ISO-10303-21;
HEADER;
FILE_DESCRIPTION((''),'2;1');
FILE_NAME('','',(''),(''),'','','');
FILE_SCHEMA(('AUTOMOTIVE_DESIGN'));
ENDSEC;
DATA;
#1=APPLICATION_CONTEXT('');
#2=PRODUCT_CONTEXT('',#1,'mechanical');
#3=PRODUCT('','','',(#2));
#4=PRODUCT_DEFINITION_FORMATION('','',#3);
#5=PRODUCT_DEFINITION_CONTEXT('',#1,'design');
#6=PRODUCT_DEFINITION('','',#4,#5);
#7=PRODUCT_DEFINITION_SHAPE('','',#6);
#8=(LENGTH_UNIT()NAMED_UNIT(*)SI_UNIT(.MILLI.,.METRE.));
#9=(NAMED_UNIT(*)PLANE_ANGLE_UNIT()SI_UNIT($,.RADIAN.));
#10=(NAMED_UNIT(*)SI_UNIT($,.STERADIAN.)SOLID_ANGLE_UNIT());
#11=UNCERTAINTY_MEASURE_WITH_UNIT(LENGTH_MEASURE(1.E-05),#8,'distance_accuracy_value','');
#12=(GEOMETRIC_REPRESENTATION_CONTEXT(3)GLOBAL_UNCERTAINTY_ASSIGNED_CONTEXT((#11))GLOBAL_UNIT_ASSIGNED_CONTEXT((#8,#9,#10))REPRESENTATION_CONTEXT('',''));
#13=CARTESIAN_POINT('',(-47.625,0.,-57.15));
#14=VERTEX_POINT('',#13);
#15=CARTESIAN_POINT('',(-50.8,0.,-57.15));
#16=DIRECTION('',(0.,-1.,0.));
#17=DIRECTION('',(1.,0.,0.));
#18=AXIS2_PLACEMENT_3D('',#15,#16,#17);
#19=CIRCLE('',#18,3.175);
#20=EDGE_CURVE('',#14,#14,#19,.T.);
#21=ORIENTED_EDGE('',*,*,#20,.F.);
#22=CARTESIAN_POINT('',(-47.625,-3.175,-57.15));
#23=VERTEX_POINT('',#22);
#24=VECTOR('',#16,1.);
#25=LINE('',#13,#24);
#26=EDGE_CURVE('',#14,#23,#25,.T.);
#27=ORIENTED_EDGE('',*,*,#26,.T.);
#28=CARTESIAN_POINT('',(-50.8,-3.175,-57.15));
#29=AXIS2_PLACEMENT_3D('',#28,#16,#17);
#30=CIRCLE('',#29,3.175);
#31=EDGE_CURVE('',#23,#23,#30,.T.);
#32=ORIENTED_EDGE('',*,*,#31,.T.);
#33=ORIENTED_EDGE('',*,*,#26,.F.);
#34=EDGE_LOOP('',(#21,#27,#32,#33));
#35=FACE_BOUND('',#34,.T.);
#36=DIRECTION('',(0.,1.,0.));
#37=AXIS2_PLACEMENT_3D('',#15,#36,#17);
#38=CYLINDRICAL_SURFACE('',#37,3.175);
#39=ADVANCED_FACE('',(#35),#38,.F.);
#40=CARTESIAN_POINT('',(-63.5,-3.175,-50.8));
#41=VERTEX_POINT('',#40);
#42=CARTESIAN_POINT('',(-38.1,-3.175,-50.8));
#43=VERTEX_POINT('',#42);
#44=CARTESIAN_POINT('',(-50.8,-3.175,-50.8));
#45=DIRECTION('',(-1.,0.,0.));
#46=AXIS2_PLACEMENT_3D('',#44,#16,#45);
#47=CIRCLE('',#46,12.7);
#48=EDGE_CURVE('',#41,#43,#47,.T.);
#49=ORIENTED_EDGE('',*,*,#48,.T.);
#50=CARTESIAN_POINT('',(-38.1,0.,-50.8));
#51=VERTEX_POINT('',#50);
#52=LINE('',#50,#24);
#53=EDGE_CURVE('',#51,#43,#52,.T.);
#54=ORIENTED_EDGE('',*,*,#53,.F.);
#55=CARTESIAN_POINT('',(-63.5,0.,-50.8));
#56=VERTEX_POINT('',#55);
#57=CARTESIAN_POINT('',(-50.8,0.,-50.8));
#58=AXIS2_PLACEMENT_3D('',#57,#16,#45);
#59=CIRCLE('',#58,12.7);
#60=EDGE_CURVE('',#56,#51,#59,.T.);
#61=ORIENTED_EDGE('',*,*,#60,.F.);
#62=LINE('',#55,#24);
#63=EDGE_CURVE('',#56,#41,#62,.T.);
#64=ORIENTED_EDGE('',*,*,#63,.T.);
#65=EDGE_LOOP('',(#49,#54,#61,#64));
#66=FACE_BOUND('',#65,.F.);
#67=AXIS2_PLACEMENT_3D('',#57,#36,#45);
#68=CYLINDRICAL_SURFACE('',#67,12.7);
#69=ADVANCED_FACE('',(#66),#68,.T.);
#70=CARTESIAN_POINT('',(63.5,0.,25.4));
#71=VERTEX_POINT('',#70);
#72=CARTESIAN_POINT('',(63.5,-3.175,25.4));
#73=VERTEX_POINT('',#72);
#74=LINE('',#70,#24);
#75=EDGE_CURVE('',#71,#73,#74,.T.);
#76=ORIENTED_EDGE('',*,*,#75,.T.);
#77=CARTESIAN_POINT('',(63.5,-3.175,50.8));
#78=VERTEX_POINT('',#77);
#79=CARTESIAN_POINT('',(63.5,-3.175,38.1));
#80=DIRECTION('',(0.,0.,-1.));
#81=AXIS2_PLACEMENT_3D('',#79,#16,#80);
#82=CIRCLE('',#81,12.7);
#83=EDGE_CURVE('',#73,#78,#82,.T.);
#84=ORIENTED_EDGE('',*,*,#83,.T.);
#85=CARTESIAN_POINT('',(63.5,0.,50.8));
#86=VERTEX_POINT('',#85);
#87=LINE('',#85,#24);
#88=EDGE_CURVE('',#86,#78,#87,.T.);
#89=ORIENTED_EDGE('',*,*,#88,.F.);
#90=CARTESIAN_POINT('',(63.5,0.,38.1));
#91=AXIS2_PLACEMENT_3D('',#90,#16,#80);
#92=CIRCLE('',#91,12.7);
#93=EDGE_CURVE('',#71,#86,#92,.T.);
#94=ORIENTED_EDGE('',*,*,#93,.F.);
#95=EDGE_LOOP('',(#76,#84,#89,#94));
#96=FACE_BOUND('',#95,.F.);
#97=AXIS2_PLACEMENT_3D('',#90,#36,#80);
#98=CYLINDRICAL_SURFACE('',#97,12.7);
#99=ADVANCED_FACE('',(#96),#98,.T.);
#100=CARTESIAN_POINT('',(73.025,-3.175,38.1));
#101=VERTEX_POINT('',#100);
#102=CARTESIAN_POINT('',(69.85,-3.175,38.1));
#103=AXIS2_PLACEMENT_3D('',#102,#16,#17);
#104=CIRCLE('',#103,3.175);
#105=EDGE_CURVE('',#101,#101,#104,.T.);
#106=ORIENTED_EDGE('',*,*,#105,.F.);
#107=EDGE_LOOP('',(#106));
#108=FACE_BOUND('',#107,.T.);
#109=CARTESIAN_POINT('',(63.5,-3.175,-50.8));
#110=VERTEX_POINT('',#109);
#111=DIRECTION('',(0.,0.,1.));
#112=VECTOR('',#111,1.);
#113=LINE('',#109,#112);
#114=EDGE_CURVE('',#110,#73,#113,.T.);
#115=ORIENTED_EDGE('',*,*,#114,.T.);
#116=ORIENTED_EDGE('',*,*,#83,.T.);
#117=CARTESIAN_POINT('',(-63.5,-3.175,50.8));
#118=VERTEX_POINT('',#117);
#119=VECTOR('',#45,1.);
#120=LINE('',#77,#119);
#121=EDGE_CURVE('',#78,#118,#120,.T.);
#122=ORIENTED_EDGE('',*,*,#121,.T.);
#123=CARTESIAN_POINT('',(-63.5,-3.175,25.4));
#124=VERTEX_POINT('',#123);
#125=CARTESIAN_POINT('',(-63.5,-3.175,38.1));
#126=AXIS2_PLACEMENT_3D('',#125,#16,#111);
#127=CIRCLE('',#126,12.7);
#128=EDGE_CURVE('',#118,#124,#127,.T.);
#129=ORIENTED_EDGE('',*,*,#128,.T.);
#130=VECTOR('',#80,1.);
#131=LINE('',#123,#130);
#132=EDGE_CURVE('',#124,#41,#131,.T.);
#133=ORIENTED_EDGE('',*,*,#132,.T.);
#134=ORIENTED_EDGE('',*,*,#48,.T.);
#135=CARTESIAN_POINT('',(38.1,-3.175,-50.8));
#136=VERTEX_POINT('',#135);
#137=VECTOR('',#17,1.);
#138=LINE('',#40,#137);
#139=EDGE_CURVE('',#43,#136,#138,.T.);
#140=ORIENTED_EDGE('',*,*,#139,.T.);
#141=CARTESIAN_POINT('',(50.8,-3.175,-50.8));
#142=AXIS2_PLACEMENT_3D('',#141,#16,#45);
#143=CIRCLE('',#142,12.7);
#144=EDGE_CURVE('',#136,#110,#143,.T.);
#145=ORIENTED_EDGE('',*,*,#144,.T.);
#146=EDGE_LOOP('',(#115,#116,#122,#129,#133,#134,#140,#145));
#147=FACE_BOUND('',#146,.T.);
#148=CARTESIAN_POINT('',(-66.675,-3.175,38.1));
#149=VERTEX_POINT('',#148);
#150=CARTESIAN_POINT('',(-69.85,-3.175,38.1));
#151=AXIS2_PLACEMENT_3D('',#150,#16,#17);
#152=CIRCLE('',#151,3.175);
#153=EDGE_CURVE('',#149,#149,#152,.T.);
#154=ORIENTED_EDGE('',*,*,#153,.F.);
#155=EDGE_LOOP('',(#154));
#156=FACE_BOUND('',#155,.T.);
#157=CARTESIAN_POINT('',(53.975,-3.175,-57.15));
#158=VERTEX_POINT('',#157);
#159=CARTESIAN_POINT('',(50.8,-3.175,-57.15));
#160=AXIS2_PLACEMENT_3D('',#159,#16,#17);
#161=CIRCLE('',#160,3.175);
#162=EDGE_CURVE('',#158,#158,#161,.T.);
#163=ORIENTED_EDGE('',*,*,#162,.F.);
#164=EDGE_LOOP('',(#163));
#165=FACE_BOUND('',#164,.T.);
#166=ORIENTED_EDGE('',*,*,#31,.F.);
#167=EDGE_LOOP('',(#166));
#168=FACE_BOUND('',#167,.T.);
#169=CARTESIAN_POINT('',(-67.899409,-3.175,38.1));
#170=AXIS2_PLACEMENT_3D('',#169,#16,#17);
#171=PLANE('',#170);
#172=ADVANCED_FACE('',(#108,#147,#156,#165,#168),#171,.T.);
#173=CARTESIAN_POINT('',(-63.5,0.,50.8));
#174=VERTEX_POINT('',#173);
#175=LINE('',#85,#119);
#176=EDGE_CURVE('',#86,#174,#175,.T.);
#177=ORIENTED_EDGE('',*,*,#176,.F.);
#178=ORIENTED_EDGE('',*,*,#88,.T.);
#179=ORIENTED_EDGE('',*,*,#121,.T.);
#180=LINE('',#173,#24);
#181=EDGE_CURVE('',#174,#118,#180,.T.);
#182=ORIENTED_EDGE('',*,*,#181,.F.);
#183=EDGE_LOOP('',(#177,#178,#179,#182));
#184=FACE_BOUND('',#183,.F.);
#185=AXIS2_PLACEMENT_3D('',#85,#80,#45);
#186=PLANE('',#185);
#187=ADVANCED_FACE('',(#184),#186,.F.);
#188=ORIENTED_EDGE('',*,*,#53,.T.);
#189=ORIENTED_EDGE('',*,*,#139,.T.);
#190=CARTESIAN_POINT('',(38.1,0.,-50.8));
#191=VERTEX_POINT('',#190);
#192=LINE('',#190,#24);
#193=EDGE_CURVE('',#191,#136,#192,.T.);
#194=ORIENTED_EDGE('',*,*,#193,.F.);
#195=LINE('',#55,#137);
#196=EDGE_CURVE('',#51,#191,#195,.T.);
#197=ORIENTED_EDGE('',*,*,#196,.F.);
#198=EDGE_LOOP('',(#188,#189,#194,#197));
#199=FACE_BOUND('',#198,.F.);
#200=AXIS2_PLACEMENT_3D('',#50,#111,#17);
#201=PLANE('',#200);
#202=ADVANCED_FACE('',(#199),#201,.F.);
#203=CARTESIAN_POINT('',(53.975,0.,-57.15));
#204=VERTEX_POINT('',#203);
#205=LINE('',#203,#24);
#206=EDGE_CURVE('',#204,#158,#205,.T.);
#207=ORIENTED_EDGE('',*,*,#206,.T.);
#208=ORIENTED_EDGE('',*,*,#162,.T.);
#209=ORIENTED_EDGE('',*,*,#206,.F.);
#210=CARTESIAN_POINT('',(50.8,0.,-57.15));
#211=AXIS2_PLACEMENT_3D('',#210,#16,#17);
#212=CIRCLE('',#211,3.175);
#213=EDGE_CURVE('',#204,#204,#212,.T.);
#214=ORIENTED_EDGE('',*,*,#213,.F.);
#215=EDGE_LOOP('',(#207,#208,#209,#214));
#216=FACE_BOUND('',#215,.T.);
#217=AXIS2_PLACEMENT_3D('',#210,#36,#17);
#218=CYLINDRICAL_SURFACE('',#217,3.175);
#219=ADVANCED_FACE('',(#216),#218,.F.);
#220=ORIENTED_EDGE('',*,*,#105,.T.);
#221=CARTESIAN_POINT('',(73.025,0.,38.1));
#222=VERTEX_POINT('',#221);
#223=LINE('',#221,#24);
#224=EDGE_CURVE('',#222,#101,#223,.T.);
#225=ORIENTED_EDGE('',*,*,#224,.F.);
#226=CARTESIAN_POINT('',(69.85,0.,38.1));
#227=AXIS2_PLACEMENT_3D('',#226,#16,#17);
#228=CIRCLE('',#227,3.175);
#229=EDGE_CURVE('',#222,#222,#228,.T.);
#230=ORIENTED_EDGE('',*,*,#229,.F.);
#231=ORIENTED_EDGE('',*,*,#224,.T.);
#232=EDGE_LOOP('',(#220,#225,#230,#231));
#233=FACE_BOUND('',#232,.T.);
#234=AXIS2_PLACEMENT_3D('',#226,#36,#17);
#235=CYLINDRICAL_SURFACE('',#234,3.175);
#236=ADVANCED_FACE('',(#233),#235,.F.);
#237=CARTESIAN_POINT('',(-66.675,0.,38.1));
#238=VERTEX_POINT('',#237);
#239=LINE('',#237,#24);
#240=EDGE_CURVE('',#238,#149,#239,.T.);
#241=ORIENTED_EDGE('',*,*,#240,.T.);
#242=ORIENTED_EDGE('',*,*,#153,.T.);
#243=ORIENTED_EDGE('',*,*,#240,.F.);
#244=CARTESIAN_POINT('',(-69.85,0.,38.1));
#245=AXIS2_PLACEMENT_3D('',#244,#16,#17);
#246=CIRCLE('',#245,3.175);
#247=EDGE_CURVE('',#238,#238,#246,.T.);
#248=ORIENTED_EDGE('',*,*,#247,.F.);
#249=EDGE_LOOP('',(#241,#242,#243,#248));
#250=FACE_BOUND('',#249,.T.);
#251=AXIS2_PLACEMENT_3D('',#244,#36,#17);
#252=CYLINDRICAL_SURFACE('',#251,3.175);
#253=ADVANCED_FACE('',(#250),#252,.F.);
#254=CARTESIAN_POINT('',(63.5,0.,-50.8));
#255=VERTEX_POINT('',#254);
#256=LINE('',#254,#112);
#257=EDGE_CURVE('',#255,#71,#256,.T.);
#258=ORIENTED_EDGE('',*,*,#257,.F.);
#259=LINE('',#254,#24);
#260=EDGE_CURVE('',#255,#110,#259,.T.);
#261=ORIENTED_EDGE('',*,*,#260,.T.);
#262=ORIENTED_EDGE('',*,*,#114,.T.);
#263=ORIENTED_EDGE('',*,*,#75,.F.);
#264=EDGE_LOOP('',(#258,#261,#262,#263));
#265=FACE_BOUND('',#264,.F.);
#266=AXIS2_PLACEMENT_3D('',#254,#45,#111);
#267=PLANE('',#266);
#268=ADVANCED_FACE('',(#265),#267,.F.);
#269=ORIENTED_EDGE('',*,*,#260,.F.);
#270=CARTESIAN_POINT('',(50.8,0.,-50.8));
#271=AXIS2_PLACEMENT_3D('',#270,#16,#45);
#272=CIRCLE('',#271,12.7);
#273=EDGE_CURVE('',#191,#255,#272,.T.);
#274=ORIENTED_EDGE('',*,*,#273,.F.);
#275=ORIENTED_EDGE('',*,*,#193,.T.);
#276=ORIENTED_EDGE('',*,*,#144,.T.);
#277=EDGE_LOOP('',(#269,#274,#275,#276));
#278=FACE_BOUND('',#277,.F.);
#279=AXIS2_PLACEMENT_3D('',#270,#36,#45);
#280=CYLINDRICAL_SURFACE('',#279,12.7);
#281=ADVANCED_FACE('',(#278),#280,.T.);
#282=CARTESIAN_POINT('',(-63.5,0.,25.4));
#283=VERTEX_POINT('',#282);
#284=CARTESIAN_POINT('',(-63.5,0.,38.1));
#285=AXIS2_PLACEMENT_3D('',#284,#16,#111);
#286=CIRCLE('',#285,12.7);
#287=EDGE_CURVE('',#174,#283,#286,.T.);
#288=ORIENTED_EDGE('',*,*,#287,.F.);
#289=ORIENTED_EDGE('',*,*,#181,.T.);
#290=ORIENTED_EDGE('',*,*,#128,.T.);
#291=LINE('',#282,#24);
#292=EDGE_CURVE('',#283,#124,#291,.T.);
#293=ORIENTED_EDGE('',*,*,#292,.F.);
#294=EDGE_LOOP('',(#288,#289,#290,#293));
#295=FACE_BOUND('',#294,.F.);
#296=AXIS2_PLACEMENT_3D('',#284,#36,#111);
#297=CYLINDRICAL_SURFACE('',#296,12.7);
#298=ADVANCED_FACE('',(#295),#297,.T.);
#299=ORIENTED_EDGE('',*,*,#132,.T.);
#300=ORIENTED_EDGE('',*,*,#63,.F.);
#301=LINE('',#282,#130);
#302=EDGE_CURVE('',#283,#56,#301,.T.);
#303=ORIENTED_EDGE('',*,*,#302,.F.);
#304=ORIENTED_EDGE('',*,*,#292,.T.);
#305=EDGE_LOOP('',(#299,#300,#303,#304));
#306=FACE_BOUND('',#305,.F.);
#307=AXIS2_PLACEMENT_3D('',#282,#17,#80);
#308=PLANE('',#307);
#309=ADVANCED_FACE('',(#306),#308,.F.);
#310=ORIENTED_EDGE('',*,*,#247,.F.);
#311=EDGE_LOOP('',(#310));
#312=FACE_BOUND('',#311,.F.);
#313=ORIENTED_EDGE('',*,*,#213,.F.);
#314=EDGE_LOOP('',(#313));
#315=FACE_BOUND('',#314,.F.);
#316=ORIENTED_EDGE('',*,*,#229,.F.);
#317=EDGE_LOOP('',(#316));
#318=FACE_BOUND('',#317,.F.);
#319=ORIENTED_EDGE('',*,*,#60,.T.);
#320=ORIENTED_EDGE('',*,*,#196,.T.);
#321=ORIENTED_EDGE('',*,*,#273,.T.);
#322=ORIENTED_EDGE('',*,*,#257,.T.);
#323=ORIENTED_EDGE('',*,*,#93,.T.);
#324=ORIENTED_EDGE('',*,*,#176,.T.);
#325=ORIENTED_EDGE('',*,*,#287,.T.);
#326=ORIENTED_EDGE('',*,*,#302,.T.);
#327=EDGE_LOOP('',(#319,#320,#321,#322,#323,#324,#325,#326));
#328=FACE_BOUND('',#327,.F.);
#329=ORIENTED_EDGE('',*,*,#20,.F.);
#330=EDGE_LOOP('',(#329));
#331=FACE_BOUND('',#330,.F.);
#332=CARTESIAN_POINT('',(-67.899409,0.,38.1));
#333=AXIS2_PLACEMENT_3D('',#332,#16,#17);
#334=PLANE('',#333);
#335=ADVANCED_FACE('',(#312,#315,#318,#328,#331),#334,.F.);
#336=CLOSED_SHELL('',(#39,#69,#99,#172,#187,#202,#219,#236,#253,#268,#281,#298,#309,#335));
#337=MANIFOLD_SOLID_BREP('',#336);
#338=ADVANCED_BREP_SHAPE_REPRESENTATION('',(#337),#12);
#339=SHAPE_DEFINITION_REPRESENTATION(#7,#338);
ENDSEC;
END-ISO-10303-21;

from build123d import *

# Parameters (mm, degrees)
F0_R     = 3.175
F1_DEPTH = 3.175


with BuildPart() as f1:
    # F0 (on Front) → F1 (new body)
    with BuildSketch(Plane.XZ):
        with BuildLine():
            Line((-63.5, 25.4), (-63.5, 50.8))
            ThreePointArc((-63.5, 50.8), (-76.2, 38.1), (-63.5, 25.4))
        make_face()
        with Locations((-69.85, 38.1)):
            Circle(F0_R, mode=Mode.SUBTRACT)
        Polygon((63.5, 50.8), (-63.5, 50.8), (-63.5, 25.4), (-63.5, -50.8), (-38.1, -50.8), (38.1, -50.8), (63.5, -50.8), (63.5, 25.4), align=None)
        with BuildLine():
            ThreePointArc((63.5, 25.4), (76.2, 38.1), (63.5, 50.8))
            Line((63.5, 50.8), (63.5, 25.4))
        make_face()
        with Locations((69.85, 38.1)):
            Circle(F0_R, mode=Mode.SUBTRACT)
        with BuildLine():
            ThreePointArc((38.1, -50.8), (50.8, -63.5), (63.5, -50.8))
            Line((63.5, -50.8), (38.1, -50.8))
        make_face()
        with Locations((50.8, -57.15)):
            Circle(F0_R, mode=Mode.SUBTRACT)
        with BuildLine():
            Line((-38.1, -50.8), (-63.5, -50.8))
            ThreePointArc((-63.5, -50.8), (-50.8, -63.5), (-38.1, -50.8))
        make_face()
        with Locations((-50.8, -57.15)):
            Circle(F0_R, mode=Mode.SUBTRACT)
    extrude(amount=F1_DEPTH)


solid = f1.part
